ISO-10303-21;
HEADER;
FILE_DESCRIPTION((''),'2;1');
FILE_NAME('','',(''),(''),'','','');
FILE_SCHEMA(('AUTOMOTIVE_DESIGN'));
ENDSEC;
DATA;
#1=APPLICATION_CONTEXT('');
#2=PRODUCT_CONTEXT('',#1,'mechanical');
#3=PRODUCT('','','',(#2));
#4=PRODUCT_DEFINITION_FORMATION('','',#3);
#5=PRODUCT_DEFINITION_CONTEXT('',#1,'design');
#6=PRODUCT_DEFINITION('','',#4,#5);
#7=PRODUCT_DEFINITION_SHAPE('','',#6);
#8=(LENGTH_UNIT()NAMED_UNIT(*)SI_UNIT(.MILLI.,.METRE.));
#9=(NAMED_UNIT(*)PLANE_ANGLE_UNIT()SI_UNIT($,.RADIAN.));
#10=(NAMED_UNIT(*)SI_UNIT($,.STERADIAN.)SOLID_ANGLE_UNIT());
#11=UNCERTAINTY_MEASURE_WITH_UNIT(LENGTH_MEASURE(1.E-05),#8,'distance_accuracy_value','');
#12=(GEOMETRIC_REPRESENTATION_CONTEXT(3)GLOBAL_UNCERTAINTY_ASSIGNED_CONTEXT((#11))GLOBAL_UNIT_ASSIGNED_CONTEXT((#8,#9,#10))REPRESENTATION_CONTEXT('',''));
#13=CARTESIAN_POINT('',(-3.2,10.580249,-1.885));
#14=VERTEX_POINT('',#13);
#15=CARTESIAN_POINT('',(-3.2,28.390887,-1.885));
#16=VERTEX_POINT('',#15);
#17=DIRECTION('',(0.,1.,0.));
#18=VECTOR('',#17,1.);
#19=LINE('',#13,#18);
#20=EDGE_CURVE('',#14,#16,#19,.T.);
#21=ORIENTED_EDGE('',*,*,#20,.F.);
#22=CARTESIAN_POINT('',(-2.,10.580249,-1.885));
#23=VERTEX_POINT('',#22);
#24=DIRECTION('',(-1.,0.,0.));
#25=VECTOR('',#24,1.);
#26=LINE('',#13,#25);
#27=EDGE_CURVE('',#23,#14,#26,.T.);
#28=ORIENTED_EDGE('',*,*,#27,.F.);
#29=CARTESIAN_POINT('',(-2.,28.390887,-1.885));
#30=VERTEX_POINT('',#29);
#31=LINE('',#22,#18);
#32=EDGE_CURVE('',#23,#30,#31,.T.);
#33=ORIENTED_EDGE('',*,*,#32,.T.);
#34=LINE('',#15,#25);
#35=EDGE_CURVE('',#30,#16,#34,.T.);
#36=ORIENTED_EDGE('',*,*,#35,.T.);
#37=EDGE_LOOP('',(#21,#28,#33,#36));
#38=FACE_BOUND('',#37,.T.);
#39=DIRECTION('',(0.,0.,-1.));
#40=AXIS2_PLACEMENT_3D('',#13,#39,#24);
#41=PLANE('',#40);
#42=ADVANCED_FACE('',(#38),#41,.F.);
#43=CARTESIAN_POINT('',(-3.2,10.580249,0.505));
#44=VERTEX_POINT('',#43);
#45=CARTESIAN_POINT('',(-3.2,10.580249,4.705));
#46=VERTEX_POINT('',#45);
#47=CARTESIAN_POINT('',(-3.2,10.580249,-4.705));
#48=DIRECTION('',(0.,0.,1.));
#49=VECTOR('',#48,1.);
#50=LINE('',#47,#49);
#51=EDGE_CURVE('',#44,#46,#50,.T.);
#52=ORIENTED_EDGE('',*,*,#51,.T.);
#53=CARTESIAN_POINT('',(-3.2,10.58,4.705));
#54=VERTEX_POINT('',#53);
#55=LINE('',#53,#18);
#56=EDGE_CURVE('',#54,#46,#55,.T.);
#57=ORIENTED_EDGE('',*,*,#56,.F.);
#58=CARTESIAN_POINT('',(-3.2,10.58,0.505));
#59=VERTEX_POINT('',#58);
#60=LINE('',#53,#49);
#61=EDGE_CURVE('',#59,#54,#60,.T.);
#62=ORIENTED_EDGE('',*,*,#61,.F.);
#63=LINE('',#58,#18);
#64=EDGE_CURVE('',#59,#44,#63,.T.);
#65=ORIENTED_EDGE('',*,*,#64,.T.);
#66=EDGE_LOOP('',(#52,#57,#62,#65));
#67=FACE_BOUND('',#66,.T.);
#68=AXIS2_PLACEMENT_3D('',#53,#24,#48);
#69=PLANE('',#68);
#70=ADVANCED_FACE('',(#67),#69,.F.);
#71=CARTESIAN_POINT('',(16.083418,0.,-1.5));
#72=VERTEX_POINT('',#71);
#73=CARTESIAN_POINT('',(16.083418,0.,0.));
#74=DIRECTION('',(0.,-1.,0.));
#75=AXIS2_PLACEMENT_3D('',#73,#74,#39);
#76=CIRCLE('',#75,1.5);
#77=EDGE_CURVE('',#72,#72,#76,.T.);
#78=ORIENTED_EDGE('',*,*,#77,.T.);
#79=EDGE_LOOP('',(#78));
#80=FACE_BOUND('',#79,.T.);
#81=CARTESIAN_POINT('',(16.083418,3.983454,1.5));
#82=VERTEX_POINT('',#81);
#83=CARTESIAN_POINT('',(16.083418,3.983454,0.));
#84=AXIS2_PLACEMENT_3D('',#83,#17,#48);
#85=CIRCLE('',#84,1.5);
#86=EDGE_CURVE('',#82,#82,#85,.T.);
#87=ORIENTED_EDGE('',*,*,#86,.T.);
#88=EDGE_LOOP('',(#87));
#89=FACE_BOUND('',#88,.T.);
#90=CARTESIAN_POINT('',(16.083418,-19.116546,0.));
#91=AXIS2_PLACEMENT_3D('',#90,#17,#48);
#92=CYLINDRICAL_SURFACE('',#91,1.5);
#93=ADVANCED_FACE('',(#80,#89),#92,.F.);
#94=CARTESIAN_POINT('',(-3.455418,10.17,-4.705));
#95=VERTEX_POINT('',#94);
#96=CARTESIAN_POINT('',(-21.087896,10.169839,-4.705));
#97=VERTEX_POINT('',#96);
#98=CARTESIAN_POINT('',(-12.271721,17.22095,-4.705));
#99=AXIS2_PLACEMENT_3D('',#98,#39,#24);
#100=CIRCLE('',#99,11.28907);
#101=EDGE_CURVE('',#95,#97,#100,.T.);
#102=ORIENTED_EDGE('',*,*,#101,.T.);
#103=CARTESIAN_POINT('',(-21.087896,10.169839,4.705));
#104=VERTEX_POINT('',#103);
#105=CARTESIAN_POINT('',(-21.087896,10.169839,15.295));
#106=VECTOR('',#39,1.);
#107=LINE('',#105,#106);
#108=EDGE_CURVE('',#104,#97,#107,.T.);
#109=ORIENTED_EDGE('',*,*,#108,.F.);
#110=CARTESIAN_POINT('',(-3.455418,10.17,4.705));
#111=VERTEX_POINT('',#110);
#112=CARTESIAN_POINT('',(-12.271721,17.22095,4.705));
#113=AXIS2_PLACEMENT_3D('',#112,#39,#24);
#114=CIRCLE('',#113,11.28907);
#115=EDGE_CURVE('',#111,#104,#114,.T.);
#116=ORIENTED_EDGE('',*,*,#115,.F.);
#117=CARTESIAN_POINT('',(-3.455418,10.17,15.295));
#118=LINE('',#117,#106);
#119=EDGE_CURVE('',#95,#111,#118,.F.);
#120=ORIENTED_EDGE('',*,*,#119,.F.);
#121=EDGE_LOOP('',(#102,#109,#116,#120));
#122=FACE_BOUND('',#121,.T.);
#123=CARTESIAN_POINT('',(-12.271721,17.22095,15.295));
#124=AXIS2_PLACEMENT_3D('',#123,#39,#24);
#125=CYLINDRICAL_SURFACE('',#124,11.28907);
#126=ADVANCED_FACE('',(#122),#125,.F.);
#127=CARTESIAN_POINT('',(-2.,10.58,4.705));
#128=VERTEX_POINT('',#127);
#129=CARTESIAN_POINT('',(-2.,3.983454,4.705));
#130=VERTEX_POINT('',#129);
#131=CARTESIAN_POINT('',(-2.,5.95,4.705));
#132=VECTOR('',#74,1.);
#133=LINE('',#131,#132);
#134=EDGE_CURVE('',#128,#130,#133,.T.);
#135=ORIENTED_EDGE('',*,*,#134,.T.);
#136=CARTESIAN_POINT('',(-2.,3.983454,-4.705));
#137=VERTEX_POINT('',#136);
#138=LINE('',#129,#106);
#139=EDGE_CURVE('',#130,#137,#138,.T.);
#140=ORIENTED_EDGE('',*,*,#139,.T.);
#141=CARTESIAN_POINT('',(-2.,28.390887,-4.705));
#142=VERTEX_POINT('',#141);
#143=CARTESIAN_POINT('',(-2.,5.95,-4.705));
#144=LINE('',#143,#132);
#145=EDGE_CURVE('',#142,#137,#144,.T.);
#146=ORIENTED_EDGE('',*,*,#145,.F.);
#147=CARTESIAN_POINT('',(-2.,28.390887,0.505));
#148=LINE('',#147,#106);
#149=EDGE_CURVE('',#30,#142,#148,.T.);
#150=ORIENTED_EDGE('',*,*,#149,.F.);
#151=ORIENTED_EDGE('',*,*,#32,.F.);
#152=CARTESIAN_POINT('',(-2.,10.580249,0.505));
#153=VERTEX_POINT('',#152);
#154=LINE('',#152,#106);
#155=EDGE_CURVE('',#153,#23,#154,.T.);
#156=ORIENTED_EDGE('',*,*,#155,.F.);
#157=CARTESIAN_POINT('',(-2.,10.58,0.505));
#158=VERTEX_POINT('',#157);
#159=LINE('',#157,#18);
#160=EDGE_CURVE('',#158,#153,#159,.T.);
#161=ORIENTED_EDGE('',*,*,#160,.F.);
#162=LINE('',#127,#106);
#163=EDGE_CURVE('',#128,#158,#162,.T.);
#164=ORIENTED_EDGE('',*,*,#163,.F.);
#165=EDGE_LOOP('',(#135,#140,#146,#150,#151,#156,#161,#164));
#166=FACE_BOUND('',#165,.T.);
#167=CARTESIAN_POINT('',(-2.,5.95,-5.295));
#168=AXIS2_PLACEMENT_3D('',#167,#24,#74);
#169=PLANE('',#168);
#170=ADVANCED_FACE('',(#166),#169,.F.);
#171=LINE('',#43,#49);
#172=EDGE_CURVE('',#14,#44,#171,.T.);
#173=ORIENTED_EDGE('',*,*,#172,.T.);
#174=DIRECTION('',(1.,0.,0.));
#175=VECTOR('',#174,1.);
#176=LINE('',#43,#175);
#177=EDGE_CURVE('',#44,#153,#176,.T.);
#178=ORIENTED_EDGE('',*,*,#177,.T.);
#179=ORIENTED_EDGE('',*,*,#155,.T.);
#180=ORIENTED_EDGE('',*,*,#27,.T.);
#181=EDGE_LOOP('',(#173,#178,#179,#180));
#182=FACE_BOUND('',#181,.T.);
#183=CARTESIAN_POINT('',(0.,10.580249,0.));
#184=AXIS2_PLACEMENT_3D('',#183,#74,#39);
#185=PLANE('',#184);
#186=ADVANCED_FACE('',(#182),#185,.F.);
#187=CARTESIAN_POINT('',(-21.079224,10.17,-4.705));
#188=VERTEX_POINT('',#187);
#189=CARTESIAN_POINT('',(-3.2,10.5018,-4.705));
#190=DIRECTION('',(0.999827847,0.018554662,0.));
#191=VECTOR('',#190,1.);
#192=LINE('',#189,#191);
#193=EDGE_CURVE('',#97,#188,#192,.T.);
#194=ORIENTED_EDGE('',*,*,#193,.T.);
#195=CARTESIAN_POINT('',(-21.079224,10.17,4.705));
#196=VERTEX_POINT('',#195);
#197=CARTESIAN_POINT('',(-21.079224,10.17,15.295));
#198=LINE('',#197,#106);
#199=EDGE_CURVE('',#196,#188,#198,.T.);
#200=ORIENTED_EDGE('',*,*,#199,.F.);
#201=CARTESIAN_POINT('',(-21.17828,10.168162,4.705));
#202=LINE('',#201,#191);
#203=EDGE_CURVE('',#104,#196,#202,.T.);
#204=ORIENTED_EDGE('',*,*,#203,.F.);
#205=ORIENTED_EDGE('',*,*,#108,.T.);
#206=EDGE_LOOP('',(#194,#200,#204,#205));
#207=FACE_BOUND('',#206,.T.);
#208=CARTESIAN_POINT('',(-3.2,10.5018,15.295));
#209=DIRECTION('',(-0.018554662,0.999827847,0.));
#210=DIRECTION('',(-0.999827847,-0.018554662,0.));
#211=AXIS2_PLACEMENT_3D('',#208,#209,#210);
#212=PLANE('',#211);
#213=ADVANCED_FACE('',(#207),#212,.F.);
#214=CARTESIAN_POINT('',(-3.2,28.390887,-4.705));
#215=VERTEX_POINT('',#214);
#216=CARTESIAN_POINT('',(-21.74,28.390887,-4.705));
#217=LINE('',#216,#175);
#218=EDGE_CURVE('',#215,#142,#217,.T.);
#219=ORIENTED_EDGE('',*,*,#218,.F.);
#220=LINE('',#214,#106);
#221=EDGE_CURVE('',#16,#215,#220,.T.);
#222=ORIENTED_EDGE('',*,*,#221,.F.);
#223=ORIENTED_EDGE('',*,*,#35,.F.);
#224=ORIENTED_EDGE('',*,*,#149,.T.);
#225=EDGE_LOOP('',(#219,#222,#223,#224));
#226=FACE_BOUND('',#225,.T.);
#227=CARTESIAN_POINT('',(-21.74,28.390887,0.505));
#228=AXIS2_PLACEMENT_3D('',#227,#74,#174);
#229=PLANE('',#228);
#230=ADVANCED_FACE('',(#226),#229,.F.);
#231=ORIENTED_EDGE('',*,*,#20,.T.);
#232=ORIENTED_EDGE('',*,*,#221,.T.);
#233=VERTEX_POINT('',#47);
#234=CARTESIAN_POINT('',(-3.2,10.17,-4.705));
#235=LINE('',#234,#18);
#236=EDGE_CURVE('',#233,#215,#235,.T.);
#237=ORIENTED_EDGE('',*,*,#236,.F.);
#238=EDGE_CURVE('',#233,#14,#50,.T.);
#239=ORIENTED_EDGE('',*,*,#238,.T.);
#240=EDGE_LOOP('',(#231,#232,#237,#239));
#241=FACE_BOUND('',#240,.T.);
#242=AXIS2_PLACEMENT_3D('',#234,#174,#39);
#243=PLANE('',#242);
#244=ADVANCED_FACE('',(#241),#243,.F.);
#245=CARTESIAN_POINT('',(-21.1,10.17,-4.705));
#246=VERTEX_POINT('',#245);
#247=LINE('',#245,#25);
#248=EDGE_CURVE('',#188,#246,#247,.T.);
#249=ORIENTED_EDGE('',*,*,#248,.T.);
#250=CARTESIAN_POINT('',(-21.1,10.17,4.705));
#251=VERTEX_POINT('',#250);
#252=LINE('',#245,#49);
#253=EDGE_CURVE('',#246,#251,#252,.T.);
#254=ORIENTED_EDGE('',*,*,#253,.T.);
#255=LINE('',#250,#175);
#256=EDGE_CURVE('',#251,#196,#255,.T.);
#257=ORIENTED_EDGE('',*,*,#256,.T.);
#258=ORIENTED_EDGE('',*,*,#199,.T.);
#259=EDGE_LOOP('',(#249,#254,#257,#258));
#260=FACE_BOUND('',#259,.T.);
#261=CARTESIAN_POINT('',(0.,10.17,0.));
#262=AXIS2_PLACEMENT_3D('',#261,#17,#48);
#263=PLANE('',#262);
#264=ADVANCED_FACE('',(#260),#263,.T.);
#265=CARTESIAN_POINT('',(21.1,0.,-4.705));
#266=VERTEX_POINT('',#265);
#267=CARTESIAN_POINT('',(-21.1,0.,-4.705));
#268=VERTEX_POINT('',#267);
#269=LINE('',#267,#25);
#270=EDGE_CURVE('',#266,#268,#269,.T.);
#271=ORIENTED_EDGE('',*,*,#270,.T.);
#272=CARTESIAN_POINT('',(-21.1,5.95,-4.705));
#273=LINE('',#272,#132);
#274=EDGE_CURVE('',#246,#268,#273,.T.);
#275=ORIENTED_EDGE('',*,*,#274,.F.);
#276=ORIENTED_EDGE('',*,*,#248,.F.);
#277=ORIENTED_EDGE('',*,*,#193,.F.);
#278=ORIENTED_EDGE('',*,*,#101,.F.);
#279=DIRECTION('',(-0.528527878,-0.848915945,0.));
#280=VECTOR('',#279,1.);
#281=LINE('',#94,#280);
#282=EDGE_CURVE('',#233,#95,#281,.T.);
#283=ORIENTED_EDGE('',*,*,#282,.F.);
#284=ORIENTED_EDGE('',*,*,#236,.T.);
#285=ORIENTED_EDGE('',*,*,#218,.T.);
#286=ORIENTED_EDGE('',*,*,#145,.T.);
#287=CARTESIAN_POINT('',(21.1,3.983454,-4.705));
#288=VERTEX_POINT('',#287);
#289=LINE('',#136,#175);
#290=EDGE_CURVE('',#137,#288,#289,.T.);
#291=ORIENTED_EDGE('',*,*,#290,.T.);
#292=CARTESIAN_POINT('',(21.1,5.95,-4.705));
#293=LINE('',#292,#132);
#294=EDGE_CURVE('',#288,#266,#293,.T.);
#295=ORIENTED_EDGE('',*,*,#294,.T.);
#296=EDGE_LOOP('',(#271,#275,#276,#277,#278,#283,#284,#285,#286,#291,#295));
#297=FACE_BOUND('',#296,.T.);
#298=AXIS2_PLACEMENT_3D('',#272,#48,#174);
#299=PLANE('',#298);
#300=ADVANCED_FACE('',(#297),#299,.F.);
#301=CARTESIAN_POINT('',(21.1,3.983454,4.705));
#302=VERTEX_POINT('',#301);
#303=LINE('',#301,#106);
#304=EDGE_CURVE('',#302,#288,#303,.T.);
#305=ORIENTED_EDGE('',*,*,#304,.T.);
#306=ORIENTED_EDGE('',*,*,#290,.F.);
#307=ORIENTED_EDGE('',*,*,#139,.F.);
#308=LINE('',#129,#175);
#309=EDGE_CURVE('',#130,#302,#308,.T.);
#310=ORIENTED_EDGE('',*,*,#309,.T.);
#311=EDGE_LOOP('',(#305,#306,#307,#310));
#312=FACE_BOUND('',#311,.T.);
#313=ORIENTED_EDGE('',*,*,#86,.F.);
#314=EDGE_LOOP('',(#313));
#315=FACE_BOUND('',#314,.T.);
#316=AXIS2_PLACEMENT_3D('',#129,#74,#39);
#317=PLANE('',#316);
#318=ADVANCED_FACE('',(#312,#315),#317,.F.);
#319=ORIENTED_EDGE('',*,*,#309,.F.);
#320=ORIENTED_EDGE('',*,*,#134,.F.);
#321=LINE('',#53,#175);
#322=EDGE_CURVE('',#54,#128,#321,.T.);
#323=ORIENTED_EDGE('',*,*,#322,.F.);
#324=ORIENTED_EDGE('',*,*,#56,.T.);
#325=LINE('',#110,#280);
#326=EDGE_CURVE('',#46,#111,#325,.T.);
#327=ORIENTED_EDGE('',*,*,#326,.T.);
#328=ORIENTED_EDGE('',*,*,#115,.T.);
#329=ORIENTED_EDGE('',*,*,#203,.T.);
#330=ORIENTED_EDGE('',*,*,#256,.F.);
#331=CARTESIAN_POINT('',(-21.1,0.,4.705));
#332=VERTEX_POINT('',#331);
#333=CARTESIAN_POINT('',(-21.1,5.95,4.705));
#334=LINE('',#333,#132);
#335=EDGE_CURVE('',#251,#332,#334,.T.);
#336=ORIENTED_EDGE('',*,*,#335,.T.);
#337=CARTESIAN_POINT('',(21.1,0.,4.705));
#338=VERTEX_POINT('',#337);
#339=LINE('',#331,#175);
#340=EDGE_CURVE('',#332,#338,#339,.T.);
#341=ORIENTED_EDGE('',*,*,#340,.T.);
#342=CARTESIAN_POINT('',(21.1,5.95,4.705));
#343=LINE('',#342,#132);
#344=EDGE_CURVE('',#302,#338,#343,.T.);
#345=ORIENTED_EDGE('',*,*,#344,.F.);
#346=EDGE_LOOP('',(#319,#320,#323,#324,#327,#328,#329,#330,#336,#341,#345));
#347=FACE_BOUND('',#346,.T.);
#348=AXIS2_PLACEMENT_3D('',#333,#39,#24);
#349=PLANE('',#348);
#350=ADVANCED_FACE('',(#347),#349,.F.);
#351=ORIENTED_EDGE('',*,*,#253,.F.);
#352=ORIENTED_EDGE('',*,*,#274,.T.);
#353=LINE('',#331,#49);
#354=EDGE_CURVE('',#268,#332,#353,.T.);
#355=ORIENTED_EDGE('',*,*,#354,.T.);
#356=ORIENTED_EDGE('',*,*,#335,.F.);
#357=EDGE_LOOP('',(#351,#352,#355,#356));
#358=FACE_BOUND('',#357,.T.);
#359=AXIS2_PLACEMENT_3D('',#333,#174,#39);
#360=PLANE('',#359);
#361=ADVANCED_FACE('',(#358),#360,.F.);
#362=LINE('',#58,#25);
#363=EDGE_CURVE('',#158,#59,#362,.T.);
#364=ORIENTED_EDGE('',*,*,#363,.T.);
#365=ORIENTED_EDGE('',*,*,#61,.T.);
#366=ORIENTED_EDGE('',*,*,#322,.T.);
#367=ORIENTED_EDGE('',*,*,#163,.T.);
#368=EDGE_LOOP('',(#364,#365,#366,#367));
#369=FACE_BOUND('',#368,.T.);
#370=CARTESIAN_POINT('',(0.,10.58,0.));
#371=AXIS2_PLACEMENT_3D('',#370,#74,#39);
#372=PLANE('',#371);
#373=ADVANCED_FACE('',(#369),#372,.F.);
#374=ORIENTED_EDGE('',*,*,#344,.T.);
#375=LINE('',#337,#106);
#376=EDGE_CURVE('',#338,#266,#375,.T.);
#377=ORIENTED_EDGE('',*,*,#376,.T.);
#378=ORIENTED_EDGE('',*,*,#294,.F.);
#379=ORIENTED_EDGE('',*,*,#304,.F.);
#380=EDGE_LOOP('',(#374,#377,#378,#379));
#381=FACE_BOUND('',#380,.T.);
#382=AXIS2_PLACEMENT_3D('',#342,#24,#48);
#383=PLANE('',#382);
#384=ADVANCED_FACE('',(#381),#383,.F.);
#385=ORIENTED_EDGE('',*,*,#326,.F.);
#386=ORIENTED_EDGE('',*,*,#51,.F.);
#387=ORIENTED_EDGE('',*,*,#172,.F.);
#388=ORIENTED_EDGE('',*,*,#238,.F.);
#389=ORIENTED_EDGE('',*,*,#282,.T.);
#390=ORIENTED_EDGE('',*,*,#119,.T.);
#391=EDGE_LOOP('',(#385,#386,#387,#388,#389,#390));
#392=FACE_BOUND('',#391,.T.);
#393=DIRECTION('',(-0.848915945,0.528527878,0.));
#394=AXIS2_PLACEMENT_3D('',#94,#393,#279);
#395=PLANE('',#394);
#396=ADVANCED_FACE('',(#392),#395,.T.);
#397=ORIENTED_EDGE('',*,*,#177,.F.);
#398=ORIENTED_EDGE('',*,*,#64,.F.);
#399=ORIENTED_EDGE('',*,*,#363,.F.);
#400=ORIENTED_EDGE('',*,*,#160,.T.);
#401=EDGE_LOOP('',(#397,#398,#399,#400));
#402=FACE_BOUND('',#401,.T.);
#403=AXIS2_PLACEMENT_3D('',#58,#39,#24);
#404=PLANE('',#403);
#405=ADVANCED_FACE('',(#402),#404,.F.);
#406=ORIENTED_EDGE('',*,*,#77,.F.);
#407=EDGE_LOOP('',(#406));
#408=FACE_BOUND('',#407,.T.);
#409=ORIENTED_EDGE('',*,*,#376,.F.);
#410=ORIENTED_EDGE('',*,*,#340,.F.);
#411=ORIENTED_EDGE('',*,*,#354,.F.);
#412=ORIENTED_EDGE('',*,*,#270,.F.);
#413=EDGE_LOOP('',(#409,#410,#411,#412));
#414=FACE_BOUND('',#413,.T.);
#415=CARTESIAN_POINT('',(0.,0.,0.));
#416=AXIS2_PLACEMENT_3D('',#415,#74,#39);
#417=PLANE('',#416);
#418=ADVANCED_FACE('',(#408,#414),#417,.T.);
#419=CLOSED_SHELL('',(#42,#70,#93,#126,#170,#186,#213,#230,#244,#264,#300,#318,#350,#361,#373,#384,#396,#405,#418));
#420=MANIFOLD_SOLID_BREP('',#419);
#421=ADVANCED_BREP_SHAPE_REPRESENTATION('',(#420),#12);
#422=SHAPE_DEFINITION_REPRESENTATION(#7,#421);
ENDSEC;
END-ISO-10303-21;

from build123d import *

# Parameters (mm, degrees)
SKETCH1_W           = 42.2
SKETCH1_H           = 9.41
BOSS_EXTRUDE1_DEPTH = 5.95
SKETCH2_W           = 23.1
SKETCH2_H           = 0.95
CUT_EXTRUDE1_DEPTH  = 10
SKETCH3_W           = 19.1
SKETCH3_H           = 9.41
BOSS_EXTRUDE2_DEPTH = 24.37
CUT_EXTRUDE8_DEPTH  = 20
SKETCH6_W           = 17.9
SKETCH6_H           = 9.41
CUT_EXTRUDE9_DEPTH  = 20.15
BOSS_EXTRUDE4_DEPTH = 9.41
SKETCH9_W           = 1.2
SKETCH9_H           = 4.2
CUT_EXTRUDE10_DEPTH = 19.74
SKETCH10_W          = 5.21
SKETCH10_H          = 1.92911269
CUT_EXTRUDE11_DEPTH = 19.74
SKETCH11_W          = 1.2
SKETCH11_H          = 2.39
CUT_EXTRUDE13_DEPTH = 17.810638
SKETCH12_W          = 9.41
SKETCH12_H          = 1.01654614
CUT_EXTRUDE14_DEPTH = 23.1
SKETCH13_R          = 1.5
CUT_EXTRUDE15_DEPTH = 23.1


with BuildPart() as part:
    # Sketch1 → Boss-Extrude1 (new body)
    with BuildSketch(Plane(origin=(0, 0, 0), x_dir=(1, 0, 0), z_dir=(0, 1, 0))):
        Rectangle(SKETCH1_W, SKETCH1_H)
    extrude(amount=BOSS_EXTRUDE1_DEPTH)

    # Sketch2 → Cut-Extrude1 (cut)
    with BuildSketch(Plane.XY.offset(4.705)):
        with Locations((9.55, 5.475)):
            Rectangle(SKETCH2_W, SKETCH2_H)
    extrude(amount=-CUT_EXTRUDE1_DEPTH, mode=Mode.SUBTRACT)

    # Sketch3 → Boss-Extrude2 (add)
    with BuildSketch(Plane(origin=(0, 5.95, 0), x_dir=(1, 0, 0), z_dir=(0, 1, 0))):
        with Locations((-11.55, 0)):
            Rectangle(SKETCH3_W, SKETCH3_H)
    extrude(amount=BOSS_EXTRUDE2_DEPTH)

    # Sketch5 → Cut-Extrude8 (cut)
    with BuildSketch(Plane(origin=(0, 0, -4.705), x_dir=(-1, 0, 0), z_dir=(0, 0, -1))):
        with BuildLine():
            Line((3.2, 10.501800084), (21.087895638, 10.16983908))
            ThreePointArc((21.087895638, 10.16983908), (12.062256205, 5.933823433), (3.2, 10.501800084))
        make_face()
    extrude(amount=-CUT_EXTRUDE8_DEPTH, mode=Mode.SUBTRACT)

    # Sketch6 → Cut-Extrude9 (cut)
    with BuildSketch(Plane(origin=(0, 30.32, 0), x_dir=(1, 0, 0), z_dir=(0, 1, 0))):
        with Locations((-12.15, 0)):
            Rectangle(SKETCH6_W, SKETCH6_H)
    extrude(amount=-CUT_EXTRUDE9_DEPTH, mode=Mode.SUBTRACT)

    # Sketch8 → Boss-Extrude4 (add)
    with BuildSketch(Plane.XY.offset(4.705)):
        Polygon((-3.455417816, 10.17), (-3.2, 10.580249423), (-3.2, 10.17), align=None)
    extrude(amount=-BOSS_EXTRUDE4_DEPTH)

    # Sketch9 → Cut-Extrude10 (cut)
    with BuildSketch(Plane(origin=(0, 30.32, 0), x_dir=(1, 0, 0), z_dir=(0, 1, 0))):
        with Locations((-2.6, -2.605)):
            Rectangle(SKETCH9_W, SKETCH9_H)
    extrude(amount=-CUT_EXTRUDE10_DEPTH, mode=Mode.SUBTRACT)

    # Sketch10 → Cut-Extrude11 (cut)
    with BuildSketch(Plane(origin=(-2, 0, 0), x_dir=(0, 0, -1), z_dir=(1, 0, 0))):
        with Locations((2.1, 29.355443655)):
            Rectangle(SKETCH10_W, SKETCH10_H)
    extrude(amount=-CUT_EXTRUDE11_DEPTH, mode=Mode.SUBTRACT)

    # Sketch11 → Cut-Extrude13 (cut)
    with BuildSketch(Plane(origin=(0, 28.39088731, 0), x_dir=(1, 0, 0), z_dir=(0, 1, 0))):
        with Locations((-2.6, 0.69)):
            Rectangle(SKETCH11_W, SKETCH11_H)
    extrude(amount=-CUT_EXTRUDE13_DEPTH, mode=Mode.SUBTRACT)

    # Sketch12 → Cut-Extrude14 (cut)
    with BuildSketch(Plane(origin=(21.1, 0, 0), x_dir=(0, 0, -1), z_dir=(1, 0, 0))):
        with Locations((0, 4.49172693)):
            Rectangle(SKETCH12_W, SKETCH12_H)
    extrude(amount=-CUT_EXTRUDE14_DEPTH, mode=Mode.SUBTRACT)

    # Sketch13 → Cut-Extrude15 (cut)
    with BuildSketch(Plane(origin=(0, 3.98345386, 0), x_dir=(1, 0, 0), z_dir=(0, 1, 0))):
        with Locations(Location((16.083417544, 0, 0), (0, 0, 270))):
            Circle(SKETCH13_R)
    extrude(amount=-CUT_EXTRUDE15_DEPTH, mode=Mode.SUBTRACT)


solid = part.part
